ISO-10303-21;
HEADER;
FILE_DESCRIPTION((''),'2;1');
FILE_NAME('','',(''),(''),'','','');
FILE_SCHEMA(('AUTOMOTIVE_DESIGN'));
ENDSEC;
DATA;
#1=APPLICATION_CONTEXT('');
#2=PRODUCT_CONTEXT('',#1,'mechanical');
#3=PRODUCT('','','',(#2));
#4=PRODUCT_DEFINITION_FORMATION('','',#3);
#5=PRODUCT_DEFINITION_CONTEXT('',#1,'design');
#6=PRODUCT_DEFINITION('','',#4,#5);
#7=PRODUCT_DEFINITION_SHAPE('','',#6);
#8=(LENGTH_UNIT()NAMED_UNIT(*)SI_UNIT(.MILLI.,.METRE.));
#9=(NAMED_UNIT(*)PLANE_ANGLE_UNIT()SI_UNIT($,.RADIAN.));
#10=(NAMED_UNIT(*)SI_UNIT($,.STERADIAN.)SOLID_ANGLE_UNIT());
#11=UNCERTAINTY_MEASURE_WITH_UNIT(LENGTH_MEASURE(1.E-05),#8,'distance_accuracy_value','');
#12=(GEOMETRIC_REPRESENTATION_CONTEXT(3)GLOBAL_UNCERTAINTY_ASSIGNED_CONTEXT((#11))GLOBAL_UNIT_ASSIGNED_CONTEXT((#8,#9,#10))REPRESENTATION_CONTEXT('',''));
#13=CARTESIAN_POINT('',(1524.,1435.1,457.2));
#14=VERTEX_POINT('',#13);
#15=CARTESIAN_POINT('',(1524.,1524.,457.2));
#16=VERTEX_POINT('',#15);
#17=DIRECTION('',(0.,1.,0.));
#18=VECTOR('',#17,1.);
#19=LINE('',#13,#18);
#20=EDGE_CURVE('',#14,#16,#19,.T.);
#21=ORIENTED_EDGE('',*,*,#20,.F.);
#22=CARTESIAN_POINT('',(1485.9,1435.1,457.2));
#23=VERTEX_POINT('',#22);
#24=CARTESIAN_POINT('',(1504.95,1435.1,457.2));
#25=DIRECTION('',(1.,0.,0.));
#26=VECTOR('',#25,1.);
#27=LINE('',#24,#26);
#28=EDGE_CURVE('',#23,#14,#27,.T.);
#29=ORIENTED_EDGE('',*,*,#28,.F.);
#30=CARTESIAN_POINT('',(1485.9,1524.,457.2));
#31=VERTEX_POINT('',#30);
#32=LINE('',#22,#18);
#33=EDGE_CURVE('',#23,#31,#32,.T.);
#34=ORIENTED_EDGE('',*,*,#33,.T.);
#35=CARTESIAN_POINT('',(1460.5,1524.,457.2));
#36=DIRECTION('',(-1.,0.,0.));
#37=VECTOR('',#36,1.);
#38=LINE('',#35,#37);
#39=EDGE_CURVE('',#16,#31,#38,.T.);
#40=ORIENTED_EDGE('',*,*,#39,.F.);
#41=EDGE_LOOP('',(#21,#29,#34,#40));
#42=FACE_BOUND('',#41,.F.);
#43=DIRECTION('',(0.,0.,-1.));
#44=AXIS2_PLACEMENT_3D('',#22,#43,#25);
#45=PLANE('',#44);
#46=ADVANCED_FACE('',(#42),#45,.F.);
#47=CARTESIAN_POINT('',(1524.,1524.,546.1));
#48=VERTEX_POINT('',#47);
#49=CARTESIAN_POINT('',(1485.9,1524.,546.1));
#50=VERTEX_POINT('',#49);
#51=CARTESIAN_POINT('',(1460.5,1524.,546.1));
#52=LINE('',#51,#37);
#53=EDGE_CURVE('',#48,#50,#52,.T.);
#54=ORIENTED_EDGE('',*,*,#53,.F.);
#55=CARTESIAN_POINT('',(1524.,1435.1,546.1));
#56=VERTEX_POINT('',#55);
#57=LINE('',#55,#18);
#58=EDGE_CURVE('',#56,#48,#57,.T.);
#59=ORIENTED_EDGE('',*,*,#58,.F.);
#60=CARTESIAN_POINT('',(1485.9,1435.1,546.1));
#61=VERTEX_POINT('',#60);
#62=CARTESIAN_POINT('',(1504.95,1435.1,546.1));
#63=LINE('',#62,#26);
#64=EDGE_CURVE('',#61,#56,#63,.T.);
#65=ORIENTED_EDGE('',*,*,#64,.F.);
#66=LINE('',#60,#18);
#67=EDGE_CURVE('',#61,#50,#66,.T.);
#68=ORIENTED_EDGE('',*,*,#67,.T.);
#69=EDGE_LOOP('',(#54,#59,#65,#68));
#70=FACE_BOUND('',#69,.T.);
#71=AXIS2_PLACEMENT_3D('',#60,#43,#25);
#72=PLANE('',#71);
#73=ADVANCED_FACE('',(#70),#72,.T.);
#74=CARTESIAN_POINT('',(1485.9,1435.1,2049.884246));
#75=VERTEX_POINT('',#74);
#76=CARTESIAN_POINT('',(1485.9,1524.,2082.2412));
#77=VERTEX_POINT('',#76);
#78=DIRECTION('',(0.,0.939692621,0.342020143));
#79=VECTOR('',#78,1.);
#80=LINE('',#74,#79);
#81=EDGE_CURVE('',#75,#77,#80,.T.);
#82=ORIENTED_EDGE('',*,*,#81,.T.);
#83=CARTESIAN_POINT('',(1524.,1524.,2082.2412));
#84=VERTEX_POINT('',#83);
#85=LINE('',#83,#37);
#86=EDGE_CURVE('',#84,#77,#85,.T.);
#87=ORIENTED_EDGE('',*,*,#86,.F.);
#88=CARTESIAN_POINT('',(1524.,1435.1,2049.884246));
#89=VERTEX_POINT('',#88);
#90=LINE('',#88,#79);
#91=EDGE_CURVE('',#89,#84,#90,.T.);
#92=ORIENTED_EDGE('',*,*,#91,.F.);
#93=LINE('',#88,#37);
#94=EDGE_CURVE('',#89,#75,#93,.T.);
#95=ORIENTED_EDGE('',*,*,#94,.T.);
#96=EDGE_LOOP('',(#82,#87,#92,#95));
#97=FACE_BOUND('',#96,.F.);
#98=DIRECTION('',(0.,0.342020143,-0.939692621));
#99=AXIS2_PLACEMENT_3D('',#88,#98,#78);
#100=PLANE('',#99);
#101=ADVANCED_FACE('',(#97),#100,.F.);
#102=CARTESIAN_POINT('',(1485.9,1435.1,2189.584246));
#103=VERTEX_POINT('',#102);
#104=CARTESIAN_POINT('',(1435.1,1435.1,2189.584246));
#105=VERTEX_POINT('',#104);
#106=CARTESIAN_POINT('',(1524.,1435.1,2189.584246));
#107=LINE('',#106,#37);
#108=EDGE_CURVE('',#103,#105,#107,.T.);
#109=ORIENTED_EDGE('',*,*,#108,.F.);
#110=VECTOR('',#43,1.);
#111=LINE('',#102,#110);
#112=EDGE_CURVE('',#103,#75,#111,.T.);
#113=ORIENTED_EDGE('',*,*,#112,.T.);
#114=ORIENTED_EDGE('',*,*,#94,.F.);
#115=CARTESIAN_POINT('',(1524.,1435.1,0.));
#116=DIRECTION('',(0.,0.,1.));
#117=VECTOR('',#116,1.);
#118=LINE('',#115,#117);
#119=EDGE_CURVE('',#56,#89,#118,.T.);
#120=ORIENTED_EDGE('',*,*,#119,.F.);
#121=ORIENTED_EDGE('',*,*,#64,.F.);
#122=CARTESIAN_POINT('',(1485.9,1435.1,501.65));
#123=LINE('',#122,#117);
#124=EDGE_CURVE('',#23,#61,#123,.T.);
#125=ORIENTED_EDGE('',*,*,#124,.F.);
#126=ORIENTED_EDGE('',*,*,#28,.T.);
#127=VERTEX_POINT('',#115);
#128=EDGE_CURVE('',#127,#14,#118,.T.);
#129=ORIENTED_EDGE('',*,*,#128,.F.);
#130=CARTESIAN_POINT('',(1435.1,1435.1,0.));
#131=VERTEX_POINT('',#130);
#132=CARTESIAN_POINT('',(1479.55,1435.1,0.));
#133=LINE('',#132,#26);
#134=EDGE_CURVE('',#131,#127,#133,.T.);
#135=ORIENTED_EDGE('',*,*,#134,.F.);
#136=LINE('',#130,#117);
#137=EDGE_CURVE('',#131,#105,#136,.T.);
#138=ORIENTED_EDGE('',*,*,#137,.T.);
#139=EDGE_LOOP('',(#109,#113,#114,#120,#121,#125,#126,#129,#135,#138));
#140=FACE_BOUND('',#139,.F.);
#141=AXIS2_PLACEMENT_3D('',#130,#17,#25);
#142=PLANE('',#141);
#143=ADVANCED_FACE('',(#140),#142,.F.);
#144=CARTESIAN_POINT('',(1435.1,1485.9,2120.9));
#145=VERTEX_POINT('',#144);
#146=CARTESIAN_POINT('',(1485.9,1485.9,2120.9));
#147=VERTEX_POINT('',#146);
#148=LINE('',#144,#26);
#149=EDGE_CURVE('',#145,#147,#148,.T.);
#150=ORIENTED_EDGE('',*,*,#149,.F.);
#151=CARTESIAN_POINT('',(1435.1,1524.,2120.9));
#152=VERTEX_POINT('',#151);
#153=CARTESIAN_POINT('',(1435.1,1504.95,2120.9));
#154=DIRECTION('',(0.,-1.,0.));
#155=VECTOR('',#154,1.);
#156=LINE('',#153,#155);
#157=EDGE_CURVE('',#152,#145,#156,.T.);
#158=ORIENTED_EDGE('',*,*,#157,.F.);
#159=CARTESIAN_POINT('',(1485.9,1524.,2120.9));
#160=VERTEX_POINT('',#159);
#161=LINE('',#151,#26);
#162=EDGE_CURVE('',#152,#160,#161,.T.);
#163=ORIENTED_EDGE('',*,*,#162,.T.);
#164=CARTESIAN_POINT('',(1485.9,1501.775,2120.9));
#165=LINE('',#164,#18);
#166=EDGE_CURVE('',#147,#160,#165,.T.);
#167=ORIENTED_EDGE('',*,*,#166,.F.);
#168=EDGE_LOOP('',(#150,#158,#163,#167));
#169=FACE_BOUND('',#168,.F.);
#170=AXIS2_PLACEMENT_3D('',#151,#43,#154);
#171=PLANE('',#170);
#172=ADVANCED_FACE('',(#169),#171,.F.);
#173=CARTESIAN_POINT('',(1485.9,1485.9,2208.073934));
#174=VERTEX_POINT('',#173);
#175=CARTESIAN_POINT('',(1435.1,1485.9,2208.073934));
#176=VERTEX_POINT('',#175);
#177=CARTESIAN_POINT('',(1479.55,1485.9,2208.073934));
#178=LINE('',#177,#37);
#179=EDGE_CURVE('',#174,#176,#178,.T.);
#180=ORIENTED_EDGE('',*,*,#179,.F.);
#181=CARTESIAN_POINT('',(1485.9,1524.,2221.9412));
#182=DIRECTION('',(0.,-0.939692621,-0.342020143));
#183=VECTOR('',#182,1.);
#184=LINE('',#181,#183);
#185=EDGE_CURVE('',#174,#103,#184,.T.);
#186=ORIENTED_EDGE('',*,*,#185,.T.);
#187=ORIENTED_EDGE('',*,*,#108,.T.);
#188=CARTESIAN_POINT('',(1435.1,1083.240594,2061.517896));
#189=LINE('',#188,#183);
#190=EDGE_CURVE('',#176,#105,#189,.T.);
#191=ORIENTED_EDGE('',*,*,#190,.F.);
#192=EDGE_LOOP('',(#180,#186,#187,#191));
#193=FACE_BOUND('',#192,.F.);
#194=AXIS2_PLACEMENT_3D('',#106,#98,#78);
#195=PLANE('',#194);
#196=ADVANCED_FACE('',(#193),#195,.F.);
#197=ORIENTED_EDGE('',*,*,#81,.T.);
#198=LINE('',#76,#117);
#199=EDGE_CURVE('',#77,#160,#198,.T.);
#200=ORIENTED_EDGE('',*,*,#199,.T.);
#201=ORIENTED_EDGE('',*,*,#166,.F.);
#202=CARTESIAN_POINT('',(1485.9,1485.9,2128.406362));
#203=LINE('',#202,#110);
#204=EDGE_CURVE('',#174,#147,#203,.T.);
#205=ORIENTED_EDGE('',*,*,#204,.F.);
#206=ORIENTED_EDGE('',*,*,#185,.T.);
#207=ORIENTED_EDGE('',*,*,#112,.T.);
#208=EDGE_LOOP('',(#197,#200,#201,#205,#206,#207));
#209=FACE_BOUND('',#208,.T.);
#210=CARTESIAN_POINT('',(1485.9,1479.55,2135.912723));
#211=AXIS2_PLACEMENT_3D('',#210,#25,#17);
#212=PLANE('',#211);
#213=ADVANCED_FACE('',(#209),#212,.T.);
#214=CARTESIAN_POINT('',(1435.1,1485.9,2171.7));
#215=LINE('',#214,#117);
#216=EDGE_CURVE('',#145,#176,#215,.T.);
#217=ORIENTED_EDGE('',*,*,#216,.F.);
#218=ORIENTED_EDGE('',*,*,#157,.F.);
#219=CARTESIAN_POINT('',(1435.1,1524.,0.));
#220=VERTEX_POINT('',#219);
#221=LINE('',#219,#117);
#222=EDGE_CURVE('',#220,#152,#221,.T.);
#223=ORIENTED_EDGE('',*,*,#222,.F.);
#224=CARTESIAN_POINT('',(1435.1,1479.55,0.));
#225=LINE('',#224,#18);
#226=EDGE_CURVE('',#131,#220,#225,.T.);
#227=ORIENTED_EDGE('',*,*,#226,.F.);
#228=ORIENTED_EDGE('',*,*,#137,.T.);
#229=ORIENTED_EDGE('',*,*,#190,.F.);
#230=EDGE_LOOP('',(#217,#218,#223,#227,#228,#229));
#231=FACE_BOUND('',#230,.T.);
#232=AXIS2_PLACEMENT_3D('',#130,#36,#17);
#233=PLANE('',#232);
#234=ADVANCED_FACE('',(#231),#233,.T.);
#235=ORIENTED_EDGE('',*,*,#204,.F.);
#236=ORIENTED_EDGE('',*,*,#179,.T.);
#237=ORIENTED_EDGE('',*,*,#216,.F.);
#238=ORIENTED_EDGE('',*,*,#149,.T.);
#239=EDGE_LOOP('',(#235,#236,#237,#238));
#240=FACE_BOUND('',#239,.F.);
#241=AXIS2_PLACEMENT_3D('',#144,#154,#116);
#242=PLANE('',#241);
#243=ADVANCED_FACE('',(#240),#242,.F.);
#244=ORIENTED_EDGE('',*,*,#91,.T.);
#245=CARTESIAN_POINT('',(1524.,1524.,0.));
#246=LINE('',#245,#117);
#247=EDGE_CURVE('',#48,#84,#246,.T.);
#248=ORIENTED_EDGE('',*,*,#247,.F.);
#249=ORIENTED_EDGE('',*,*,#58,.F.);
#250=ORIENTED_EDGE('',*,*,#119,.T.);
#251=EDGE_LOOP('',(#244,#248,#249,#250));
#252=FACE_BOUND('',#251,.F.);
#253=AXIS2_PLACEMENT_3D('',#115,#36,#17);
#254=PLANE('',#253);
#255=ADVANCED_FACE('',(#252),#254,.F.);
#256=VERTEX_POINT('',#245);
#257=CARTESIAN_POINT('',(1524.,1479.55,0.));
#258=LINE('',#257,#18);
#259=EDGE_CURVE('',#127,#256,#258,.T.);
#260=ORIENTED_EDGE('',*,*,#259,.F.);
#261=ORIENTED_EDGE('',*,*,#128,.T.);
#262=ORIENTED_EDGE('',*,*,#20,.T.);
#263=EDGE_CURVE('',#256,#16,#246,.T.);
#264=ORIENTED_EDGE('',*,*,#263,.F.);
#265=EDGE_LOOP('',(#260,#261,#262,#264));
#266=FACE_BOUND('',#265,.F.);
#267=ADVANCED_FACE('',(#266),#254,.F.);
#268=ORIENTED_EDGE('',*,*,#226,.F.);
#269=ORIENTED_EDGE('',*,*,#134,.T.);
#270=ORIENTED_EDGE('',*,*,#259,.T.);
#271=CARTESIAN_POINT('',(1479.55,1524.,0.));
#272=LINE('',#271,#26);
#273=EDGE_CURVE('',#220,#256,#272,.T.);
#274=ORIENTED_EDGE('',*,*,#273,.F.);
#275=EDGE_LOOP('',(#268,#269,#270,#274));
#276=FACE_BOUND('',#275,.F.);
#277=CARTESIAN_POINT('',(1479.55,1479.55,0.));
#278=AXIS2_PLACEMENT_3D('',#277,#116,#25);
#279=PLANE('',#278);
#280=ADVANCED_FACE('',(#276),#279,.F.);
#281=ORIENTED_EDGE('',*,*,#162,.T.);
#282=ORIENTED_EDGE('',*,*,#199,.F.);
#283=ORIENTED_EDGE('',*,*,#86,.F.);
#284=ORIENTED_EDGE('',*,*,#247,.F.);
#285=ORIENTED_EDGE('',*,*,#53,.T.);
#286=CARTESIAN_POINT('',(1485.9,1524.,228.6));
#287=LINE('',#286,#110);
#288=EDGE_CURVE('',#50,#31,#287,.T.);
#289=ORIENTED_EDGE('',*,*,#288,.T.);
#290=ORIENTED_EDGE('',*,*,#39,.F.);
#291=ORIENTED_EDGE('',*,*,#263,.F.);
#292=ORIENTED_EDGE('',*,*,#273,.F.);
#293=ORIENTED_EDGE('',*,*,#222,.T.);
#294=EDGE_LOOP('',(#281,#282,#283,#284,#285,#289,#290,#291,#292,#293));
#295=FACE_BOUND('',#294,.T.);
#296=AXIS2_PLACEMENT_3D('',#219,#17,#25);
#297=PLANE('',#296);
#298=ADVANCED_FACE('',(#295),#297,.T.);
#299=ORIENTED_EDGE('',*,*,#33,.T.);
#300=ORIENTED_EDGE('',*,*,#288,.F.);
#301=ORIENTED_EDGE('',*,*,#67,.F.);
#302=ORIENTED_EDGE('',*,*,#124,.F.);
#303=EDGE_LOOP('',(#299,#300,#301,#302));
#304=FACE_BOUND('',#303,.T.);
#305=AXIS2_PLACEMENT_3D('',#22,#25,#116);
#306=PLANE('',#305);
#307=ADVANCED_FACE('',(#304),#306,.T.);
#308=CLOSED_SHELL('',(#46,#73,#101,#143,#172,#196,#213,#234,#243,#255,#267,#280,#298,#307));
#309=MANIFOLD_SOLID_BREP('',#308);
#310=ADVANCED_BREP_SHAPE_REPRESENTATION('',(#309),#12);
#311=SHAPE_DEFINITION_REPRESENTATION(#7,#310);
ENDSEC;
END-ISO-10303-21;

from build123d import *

# Parameters (mm, degrees)
BOX006_W        = 88.9
BOX006_H        = 88.9
BOX006_DEPTH    = 2438.4
SKETCH003_W     = 38.1
SKETCH003_H     = 88.9
POCKET003_DEPTH = 88.9010000032
POCKET008_DEPTH = 88.901
POCKET011_DEPTH = 38.1
SKETCH019_W     = 38.1
SKETCH019_H     = 101.6
POCKET016_DEPTH = 88.901


with BuildPart() as part:
    # Box006 → Box006 (new body)
    with BuildSketch(Plane(origin=(1435.1, 1435.1, 0), x_dir=(1, 0, 0), z_dir=(0, 0, 1))):
        with Locations((44.45, 44.45)):
            Rectangle(BOX006_W, BOX006_H)
    extrude(amount=BOX006_DEPTH)

    # Sketch003 → Pocket003 (cut, through all)
    with BuildSketch(Plane(origin=(1435.1, 1435.1, 0), x_dir=(1, 0, 0), z_dir=(0, -1, 0))):
        with Locations((69.85, 501.65)):
            Rectangle(SKETCH003_W, SKETCH003_H)
    extrude(amount=-POCKET003_DEPTH, mode=Mode.SUBTRACT)

    # Sketch009 → Pocket008 (cut, through all)
    with BuildSketch(Plane(origin=(1524, 1435.1, 0), x_dir=(0, 1, 0), z_dir=(1, 0, 0))):
        Polygon((88.9, 2221.9412), (88.9, 2438.4), (0, 2438.4), (0, 2189.5842461737), align=None)
    extrude(amount=-POCKET008_DEPTH, mode=Mode.SUBTRACT)

    # Sketch012 → Pocket011 (cut)
    with BuildSketch(Plane(origin=(1524, 1435.1, 0), x_dir=(0, 1, 0), z_dir=(1, 0, 0))):
        Polygon((0, 2189.5842461737), (0, 2049.8842461737), (88.9, 2082.2412), (88.9, 2221.9412), align=None)
    extrude(amount=-POCKET011_DEPTH, mode=Mode.SUBTRACT)

    # Sketch019 → Pocket016 (cut, through all)
    with BuildSketch(Plane(origin=(1435.1, 1435.1, 0), x_dir=(0, -1, 0), z_dir=(-1, 0, 0))):
        with Locations((-69.85, 2171.7)):
            Rectangle(SKETCH019_W, SKETCH019_H)
    extrude(amount=-POCKET016_DEPTH, mode=Mode.SUBTRACT)


solid = part.part
